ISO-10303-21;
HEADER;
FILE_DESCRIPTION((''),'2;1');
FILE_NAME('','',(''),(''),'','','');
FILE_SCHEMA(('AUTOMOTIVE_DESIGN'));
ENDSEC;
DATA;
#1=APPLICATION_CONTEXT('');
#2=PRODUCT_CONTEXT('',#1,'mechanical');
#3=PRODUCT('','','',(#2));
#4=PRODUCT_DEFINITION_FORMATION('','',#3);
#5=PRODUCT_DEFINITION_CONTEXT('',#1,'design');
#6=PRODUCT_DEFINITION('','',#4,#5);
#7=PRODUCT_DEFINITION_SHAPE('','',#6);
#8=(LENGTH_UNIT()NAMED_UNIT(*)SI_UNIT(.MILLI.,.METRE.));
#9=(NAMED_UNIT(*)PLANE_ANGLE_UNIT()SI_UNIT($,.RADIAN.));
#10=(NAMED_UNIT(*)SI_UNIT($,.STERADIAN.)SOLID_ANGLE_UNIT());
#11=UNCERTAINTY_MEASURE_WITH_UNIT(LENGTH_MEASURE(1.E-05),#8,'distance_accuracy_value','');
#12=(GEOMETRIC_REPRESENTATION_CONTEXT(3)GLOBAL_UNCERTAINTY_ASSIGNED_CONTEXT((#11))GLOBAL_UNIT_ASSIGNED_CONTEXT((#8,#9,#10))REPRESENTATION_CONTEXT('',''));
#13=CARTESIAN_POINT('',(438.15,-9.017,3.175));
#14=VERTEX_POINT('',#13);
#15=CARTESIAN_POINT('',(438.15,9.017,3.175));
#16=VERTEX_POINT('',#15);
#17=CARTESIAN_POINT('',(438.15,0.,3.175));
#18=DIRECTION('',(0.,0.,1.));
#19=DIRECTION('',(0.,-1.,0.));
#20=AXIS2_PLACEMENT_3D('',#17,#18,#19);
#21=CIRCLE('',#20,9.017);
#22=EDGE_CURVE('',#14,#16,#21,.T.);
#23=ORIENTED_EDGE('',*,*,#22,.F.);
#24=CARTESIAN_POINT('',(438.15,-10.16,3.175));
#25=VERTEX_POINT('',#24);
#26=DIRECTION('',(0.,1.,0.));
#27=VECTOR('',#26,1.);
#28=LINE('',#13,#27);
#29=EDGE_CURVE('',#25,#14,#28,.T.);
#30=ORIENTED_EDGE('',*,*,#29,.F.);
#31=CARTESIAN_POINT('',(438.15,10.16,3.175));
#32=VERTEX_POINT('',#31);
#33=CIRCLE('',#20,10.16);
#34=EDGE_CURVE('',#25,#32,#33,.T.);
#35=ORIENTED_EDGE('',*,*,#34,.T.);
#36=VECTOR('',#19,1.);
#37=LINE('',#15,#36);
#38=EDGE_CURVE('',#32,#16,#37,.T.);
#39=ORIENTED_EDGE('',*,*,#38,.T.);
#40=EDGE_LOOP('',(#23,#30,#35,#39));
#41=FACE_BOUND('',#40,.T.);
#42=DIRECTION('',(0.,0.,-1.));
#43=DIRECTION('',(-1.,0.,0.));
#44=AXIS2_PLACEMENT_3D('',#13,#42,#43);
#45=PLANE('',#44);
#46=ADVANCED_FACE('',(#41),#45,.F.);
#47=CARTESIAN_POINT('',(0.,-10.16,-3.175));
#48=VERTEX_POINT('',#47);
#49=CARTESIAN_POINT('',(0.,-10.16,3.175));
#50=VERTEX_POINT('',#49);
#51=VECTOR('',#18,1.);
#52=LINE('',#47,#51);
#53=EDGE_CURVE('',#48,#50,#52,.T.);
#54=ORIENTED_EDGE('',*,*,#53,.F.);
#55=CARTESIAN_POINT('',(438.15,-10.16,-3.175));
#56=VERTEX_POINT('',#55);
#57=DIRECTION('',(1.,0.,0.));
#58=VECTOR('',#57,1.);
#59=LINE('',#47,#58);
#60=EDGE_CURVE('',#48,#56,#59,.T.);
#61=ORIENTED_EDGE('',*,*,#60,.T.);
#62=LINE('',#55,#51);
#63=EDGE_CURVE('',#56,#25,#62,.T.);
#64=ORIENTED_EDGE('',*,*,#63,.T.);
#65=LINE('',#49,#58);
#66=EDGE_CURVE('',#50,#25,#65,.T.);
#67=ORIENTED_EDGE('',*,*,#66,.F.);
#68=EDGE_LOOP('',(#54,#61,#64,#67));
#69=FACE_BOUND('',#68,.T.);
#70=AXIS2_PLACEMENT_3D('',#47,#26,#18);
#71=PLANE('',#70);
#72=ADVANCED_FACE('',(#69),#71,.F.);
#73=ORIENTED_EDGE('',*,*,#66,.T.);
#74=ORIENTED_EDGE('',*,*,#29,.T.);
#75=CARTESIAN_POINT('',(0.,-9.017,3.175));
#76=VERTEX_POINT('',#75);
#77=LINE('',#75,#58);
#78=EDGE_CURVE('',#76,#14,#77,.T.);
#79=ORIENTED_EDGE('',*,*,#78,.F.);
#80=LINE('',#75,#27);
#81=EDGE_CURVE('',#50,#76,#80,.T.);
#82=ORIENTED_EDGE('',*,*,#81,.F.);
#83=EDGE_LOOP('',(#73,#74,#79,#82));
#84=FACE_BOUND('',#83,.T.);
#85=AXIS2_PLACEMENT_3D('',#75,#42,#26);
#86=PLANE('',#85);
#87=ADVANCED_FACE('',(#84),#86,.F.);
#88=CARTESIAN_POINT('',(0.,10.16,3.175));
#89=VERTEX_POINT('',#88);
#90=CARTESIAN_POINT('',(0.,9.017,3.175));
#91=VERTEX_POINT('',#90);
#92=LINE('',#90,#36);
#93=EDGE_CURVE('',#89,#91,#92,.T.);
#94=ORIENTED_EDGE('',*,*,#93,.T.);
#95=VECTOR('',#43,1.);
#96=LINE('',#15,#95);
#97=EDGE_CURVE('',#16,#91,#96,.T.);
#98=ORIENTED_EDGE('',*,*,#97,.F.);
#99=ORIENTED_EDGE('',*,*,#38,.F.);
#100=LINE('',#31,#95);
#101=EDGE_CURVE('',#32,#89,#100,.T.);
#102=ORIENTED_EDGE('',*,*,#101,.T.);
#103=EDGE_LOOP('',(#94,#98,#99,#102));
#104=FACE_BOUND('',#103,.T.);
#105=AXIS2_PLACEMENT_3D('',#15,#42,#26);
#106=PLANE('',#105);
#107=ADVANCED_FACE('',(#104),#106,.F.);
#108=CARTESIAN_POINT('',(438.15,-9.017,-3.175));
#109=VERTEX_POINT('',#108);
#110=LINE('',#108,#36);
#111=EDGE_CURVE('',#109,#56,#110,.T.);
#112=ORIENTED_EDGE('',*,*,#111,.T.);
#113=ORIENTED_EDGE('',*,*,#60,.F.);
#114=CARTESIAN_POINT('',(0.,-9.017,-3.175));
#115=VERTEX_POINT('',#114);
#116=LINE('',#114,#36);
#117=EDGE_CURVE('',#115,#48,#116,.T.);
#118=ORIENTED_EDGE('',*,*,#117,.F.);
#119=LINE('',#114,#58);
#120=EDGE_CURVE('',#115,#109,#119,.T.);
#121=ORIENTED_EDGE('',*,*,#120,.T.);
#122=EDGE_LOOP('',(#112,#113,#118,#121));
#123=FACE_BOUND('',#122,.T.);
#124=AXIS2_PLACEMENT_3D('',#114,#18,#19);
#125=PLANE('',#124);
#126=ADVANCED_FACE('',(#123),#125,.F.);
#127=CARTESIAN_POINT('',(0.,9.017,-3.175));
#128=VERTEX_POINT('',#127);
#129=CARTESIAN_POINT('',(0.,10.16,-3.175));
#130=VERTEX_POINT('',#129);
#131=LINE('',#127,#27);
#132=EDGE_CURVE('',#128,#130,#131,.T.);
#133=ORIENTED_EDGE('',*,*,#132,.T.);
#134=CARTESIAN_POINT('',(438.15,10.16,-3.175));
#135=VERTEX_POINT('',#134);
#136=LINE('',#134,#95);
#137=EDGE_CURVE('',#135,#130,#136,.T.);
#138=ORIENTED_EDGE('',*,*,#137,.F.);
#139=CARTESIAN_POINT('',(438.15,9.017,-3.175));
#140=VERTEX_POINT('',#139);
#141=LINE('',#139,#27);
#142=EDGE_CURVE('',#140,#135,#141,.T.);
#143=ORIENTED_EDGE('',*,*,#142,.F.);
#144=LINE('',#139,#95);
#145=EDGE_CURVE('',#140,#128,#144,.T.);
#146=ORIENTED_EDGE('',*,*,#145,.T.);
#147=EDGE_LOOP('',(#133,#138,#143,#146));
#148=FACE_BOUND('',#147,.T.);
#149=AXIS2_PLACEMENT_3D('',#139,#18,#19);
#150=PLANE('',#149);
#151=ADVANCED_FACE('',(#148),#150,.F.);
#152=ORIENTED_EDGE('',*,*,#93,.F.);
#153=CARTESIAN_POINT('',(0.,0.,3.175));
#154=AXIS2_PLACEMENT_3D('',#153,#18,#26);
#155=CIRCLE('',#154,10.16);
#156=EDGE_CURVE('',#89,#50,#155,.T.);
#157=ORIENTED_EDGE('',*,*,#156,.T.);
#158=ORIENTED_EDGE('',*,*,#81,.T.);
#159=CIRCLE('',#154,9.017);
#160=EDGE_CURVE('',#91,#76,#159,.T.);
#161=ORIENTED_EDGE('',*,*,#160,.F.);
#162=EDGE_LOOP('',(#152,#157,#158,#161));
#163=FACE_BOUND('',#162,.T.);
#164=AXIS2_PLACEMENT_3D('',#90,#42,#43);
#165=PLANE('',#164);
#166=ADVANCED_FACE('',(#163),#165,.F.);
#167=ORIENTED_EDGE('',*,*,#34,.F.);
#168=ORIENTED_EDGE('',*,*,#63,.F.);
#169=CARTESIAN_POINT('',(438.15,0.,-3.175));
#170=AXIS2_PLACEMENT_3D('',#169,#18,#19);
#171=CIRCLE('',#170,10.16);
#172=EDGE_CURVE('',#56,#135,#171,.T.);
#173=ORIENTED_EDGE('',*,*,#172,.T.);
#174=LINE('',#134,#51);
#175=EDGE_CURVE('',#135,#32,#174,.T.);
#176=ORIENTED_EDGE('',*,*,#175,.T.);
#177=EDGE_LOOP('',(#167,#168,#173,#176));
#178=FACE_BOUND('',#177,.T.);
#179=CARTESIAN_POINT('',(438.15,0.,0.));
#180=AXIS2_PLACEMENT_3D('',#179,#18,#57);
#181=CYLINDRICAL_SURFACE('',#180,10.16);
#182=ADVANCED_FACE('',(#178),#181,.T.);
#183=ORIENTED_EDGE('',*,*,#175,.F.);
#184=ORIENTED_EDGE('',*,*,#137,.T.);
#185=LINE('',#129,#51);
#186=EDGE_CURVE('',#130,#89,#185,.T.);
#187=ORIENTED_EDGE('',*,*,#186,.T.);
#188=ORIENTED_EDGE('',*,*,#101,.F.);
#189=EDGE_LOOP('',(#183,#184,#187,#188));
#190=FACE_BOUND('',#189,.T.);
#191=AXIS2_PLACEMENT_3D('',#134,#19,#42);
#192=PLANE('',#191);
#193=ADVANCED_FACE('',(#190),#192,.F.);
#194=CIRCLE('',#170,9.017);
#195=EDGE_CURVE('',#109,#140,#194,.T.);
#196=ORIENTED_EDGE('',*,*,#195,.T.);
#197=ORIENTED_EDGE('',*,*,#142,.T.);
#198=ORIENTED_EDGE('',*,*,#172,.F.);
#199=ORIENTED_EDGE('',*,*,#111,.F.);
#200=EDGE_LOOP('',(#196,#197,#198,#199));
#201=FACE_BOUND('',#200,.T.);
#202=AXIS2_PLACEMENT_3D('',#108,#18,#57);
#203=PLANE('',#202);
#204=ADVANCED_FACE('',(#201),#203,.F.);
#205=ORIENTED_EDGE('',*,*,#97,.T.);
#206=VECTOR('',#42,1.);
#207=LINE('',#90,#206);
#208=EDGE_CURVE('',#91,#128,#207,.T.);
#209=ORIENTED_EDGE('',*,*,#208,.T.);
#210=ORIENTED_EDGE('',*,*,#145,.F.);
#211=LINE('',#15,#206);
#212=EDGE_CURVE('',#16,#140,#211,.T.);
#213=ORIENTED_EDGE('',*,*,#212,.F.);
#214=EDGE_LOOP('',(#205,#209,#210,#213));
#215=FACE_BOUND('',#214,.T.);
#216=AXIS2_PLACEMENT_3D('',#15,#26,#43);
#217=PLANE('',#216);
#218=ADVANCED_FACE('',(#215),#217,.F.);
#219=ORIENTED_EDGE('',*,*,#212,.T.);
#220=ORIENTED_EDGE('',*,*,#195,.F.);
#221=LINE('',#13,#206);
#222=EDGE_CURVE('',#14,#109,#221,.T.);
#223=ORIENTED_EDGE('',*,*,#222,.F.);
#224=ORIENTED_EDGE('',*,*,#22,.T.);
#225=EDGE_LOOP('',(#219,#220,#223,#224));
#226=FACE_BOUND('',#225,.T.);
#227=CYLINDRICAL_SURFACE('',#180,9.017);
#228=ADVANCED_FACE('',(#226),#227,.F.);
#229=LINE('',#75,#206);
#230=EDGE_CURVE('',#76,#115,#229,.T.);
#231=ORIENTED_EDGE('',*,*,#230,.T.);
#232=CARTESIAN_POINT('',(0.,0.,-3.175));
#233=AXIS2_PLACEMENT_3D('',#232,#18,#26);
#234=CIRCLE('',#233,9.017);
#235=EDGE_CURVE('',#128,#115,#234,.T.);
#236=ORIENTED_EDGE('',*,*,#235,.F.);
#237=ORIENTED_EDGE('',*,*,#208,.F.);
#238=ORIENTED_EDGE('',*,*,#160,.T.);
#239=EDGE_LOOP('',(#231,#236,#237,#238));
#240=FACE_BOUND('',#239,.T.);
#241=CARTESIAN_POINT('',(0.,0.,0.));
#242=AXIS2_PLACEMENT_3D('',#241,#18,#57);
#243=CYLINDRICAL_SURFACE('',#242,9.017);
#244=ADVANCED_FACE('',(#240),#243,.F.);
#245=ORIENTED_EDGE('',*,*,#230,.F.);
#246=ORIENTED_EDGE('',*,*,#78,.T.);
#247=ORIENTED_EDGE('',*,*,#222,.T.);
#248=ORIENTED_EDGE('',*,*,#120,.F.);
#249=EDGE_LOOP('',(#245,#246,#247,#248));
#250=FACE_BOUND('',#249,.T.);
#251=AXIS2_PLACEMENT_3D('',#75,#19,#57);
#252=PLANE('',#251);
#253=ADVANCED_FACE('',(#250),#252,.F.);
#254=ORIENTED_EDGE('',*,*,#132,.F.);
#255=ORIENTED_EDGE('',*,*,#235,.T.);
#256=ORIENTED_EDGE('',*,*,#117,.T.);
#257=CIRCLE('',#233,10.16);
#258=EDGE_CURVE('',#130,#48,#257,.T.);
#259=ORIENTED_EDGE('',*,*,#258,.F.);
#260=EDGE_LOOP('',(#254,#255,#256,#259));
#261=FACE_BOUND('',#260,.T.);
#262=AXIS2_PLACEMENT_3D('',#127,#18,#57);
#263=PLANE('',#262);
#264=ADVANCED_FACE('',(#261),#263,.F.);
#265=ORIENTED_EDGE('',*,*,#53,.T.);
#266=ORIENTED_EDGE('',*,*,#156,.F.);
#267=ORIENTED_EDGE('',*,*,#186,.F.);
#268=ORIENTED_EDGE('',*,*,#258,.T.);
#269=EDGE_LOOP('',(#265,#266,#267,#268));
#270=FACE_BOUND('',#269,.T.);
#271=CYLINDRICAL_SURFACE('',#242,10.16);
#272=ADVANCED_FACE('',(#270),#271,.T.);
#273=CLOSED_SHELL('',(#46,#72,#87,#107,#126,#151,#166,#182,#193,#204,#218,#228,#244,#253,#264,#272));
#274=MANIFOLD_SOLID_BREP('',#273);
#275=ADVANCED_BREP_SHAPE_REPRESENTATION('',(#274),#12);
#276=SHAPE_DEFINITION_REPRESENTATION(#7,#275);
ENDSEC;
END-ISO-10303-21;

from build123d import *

# Parameters (mm, degrees)
SKETCH3_W = 6.35
SKETCH3_H = 1.143


with BuildPart() as part:
    # Sweep1: sweep along a path in Sketch2
    with BuildLine(Plane.XY) as sweep1_path:
        Line((0, 10.16), (438.15, 10.16))
        ThreePointArc((438.15, 10.16), (448.31, 0), (438.15, -10.16))
        Line((438.15, -10.16), (0, -10.16))
        ThreePointArc((0, -10.16), (-10.16, 0), (0, 10.16))
    # Sketch3 → Sweep1 (sweep)
    with BuildSketch(Plane(origin=(0, 10.16, 0), x_dir=(0, 0, -1), z_dir=(1, 0, 0))):
        with Locations((0, -0.5715)):
            Rectangle(SKETCH3_W, SKETCH3_H)
    sweep(path=sweep1_path.line)


solid = part.part
